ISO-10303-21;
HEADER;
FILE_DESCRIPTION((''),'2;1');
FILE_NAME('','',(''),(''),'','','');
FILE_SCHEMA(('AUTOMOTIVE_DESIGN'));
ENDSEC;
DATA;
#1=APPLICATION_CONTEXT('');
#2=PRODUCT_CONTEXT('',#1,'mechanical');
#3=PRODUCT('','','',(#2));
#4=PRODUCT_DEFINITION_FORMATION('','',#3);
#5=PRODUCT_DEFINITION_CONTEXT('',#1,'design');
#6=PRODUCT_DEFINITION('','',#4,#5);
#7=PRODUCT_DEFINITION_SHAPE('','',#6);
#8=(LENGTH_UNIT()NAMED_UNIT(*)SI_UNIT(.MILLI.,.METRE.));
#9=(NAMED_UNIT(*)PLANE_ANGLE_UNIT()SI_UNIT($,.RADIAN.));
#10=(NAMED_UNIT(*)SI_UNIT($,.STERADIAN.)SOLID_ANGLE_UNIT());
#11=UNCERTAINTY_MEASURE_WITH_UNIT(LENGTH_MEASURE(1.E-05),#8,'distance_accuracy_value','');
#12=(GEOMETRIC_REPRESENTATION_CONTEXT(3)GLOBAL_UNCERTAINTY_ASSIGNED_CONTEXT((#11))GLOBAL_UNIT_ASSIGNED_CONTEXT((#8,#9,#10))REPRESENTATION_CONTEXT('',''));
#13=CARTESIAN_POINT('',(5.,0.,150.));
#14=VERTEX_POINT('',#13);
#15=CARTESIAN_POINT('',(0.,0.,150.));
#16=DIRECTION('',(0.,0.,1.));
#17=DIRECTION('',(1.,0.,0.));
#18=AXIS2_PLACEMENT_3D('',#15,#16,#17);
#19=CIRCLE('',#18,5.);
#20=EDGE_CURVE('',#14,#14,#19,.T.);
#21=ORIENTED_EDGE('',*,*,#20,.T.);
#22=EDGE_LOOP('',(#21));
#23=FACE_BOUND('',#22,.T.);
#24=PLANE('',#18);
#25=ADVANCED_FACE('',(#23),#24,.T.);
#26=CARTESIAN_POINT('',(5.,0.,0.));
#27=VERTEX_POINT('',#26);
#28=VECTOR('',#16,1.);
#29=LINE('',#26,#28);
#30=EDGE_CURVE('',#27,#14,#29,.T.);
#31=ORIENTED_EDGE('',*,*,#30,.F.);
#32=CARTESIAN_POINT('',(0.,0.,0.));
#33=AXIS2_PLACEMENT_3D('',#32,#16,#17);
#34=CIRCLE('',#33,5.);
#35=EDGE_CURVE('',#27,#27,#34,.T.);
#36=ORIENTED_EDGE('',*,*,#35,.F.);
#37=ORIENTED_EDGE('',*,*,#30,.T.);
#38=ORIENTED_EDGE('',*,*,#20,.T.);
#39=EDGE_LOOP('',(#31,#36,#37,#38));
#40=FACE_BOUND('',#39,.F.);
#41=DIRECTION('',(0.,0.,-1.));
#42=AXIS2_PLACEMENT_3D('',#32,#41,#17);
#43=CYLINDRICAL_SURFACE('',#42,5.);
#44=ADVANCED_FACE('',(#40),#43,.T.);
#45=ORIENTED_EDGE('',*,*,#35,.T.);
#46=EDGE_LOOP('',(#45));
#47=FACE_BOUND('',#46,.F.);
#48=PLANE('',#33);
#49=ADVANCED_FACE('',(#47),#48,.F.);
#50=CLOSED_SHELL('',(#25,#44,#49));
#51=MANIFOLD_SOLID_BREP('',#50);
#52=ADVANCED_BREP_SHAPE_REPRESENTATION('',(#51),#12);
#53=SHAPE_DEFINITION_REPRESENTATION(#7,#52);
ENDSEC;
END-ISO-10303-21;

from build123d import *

# Parameters (mm, degrees)
SKETCH_1_R      = 5
EXTRUDE_1_DEPTH = 150


with BuildPart() as part:
    # 草图1 → 凸台-拉伸1 (new body)
    with BuildSketch(Plane.XY):
        Circle(SKETCH_1_R)
    extrude(amount=EXTRUDE_1_DEPTH)


solid = part.part
